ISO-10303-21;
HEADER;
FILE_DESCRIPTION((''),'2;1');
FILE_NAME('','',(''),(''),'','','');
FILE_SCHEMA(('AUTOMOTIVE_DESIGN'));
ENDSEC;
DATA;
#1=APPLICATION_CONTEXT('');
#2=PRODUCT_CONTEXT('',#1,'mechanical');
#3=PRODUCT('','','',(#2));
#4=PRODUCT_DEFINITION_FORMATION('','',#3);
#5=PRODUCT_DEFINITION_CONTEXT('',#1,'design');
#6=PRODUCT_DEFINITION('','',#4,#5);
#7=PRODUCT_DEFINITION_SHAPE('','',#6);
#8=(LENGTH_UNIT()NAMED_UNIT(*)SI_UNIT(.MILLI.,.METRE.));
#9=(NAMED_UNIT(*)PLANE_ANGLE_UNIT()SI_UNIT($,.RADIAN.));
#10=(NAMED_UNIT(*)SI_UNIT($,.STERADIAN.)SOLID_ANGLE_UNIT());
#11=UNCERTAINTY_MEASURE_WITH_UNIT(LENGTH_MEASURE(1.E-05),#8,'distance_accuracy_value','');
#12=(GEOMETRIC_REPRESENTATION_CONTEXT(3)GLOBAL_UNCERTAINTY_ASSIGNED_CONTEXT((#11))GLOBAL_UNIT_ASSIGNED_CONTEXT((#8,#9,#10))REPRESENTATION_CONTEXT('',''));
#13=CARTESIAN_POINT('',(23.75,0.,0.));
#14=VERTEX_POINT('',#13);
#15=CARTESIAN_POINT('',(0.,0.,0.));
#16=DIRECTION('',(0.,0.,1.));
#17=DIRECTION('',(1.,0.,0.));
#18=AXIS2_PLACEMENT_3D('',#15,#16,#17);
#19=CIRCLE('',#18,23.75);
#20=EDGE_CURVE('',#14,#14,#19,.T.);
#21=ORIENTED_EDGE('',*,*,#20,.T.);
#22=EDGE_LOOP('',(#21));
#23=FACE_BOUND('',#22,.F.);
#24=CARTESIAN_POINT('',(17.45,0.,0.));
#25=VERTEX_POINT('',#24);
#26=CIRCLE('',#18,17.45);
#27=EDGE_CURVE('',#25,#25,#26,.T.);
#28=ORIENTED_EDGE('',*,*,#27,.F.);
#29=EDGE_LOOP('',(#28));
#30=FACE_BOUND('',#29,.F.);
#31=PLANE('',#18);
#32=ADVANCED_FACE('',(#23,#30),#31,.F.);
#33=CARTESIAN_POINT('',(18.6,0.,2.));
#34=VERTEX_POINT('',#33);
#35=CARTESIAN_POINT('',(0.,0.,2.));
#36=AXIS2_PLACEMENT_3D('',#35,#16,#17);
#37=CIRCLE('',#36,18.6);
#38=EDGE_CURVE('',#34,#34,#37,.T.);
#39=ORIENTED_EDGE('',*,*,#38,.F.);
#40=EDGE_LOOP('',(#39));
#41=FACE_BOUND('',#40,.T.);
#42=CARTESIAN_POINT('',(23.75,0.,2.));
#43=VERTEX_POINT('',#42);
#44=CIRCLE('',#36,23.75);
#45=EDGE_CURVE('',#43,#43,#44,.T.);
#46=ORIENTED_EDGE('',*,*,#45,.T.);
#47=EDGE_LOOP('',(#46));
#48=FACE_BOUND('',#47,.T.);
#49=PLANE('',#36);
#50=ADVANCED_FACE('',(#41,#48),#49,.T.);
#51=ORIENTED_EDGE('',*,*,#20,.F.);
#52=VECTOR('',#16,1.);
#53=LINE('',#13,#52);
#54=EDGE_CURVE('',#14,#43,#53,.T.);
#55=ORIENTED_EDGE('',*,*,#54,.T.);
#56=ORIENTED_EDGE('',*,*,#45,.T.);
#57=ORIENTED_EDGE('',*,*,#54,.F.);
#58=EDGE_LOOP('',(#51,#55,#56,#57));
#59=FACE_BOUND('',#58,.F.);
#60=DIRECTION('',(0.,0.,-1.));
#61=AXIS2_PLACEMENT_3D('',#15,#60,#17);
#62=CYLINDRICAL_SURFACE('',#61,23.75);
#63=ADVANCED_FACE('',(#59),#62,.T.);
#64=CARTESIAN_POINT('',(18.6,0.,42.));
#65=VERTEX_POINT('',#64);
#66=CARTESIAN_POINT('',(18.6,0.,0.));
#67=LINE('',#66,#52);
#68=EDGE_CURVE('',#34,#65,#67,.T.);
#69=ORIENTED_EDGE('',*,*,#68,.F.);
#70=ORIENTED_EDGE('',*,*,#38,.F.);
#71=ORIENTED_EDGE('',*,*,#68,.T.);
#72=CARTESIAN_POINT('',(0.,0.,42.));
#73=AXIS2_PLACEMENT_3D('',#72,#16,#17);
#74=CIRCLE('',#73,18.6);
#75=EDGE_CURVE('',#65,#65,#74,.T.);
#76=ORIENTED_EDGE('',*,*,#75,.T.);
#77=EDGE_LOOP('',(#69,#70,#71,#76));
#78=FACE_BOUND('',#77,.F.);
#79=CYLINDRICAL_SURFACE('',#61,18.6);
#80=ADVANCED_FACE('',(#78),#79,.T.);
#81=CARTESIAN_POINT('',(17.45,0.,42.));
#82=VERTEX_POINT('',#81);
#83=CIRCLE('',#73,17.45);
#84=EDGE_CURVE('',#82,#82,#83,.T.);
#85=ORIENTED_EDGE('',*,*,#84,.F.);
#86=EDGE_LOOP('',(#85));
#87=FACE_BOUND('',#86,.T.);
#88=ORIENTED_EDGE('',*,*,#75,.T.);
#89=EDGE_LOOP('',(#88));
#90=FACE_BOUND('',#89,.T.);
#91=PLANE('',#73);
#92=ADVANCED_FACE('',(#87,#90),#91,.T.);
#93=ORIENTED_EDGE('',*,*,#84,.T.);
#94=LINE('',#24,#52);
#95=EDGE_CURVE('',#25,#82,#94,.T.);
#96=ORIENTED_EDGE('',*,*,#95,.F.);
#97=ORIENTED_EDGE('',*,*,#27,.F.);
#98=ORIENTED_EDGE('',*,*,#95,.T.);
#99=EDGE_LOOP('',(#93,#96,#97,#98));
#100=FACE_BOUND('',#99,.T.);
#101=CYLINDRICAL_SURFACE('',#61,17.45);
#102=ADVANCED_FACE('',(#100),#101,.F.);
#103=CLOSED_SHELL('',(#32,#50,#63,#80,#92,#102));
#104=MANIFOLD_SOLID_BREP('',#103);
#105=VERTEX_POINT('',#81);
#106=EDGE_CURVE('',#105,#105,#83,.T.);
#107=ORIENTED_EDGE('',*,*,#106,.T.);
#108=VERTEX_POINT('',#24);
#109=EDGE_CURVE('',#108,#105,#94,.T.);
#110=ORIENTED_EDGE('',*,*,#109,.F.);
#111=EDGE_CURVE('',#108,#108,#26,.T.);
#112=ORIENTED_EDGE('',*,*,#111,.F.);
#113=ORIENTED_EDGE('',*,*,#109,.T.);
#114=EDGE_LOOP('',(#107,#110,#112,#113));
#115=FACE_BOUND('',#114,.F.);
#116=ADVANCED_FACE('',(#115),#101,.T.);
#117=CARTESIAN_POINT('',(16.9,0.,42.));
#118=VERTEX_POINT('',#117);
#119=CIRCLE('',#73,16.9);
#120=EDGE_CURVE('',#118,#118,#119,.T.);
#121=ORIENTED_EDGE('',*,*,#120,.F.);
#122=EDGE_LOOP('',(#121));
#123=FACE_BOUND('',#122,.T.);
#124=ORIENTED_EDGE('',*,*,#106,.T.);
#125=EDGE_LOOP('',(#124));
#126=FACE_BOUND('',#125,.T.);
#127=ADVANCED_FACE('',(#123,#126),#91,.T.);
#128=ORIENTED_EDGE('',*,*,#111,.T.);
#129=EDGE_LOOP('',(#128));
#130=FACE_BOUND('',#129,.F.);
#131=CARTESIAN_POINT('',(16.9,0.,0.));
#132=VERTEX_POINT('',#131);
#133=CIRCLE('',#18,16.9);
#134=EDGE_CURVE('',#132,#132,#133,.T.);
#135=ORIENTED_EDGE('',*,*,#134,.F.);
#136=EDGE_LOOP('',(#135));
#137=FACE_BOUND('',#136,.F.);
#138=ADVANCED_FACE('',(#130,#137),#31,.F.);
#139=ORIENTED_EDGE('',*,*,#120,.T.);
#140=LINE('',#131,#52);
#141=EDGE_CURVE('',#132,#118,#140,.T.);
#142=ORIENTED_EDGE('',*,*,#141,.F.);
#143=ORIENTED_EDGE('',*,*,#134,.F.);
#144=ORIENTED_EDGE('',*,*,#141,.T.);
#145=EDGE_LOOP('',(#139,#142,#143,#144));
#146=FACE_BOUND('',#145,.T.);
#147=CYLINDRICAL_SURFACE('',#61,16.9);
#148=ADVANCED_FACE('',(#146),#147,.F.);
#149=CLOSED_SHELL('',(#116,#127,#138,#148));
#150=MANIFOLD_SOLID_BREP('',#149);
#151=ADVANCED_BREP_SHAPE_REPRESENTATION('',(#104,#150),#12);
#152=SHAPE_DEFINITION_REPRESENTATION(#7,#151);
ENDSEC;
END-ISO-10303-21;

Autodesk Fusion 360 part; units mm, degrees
sketch "Sketch1" plane through (0, 0, 0) normal (0, 0, 1) x (1, 0, 0)
  circle A0 centre (0, 0) radius 17.45
  circle A1 centre (0, 0) radius 18.6
  circle A2 centre (0, 0) radius 23.75
  dimension "d1" = 34.9
  dimension "d2" = 37.2
  dimension "d3" = 47.5
extrude "Extrude1" add sketch "Sketch1" along normal blind 42 contours A1 makes body 1
extrude "Extrude2" add sketch "Sketch1" along normal blind 2 contours A2 bodies 1
sketch "Sketch1 (2)" plane through (0, 0, 0) normal (0, 0, 1) x (1, 0, 0) in component "pipe-added-ID"
  circle A0 centre (0, 0) radius 16.9
  circle A1 centre (0, 0) radius 17.45
  circle A2 centre (0, 0) radius 18.6
  circle A3 centre (0, 0) radius 17.45
  dimension "d8" = 33.8
extrude "Extrude1'" add sketch "Sketch1 (2)" along normal up to surface (42 mm away) separate body contours A1 A3 makes body 2 in component "pipe-added-ID"
component "pipe-added-ID" placed x (1, 0, 0) y (0, 1, 0) z (0, 0, 1) at (0, 0, 0)
